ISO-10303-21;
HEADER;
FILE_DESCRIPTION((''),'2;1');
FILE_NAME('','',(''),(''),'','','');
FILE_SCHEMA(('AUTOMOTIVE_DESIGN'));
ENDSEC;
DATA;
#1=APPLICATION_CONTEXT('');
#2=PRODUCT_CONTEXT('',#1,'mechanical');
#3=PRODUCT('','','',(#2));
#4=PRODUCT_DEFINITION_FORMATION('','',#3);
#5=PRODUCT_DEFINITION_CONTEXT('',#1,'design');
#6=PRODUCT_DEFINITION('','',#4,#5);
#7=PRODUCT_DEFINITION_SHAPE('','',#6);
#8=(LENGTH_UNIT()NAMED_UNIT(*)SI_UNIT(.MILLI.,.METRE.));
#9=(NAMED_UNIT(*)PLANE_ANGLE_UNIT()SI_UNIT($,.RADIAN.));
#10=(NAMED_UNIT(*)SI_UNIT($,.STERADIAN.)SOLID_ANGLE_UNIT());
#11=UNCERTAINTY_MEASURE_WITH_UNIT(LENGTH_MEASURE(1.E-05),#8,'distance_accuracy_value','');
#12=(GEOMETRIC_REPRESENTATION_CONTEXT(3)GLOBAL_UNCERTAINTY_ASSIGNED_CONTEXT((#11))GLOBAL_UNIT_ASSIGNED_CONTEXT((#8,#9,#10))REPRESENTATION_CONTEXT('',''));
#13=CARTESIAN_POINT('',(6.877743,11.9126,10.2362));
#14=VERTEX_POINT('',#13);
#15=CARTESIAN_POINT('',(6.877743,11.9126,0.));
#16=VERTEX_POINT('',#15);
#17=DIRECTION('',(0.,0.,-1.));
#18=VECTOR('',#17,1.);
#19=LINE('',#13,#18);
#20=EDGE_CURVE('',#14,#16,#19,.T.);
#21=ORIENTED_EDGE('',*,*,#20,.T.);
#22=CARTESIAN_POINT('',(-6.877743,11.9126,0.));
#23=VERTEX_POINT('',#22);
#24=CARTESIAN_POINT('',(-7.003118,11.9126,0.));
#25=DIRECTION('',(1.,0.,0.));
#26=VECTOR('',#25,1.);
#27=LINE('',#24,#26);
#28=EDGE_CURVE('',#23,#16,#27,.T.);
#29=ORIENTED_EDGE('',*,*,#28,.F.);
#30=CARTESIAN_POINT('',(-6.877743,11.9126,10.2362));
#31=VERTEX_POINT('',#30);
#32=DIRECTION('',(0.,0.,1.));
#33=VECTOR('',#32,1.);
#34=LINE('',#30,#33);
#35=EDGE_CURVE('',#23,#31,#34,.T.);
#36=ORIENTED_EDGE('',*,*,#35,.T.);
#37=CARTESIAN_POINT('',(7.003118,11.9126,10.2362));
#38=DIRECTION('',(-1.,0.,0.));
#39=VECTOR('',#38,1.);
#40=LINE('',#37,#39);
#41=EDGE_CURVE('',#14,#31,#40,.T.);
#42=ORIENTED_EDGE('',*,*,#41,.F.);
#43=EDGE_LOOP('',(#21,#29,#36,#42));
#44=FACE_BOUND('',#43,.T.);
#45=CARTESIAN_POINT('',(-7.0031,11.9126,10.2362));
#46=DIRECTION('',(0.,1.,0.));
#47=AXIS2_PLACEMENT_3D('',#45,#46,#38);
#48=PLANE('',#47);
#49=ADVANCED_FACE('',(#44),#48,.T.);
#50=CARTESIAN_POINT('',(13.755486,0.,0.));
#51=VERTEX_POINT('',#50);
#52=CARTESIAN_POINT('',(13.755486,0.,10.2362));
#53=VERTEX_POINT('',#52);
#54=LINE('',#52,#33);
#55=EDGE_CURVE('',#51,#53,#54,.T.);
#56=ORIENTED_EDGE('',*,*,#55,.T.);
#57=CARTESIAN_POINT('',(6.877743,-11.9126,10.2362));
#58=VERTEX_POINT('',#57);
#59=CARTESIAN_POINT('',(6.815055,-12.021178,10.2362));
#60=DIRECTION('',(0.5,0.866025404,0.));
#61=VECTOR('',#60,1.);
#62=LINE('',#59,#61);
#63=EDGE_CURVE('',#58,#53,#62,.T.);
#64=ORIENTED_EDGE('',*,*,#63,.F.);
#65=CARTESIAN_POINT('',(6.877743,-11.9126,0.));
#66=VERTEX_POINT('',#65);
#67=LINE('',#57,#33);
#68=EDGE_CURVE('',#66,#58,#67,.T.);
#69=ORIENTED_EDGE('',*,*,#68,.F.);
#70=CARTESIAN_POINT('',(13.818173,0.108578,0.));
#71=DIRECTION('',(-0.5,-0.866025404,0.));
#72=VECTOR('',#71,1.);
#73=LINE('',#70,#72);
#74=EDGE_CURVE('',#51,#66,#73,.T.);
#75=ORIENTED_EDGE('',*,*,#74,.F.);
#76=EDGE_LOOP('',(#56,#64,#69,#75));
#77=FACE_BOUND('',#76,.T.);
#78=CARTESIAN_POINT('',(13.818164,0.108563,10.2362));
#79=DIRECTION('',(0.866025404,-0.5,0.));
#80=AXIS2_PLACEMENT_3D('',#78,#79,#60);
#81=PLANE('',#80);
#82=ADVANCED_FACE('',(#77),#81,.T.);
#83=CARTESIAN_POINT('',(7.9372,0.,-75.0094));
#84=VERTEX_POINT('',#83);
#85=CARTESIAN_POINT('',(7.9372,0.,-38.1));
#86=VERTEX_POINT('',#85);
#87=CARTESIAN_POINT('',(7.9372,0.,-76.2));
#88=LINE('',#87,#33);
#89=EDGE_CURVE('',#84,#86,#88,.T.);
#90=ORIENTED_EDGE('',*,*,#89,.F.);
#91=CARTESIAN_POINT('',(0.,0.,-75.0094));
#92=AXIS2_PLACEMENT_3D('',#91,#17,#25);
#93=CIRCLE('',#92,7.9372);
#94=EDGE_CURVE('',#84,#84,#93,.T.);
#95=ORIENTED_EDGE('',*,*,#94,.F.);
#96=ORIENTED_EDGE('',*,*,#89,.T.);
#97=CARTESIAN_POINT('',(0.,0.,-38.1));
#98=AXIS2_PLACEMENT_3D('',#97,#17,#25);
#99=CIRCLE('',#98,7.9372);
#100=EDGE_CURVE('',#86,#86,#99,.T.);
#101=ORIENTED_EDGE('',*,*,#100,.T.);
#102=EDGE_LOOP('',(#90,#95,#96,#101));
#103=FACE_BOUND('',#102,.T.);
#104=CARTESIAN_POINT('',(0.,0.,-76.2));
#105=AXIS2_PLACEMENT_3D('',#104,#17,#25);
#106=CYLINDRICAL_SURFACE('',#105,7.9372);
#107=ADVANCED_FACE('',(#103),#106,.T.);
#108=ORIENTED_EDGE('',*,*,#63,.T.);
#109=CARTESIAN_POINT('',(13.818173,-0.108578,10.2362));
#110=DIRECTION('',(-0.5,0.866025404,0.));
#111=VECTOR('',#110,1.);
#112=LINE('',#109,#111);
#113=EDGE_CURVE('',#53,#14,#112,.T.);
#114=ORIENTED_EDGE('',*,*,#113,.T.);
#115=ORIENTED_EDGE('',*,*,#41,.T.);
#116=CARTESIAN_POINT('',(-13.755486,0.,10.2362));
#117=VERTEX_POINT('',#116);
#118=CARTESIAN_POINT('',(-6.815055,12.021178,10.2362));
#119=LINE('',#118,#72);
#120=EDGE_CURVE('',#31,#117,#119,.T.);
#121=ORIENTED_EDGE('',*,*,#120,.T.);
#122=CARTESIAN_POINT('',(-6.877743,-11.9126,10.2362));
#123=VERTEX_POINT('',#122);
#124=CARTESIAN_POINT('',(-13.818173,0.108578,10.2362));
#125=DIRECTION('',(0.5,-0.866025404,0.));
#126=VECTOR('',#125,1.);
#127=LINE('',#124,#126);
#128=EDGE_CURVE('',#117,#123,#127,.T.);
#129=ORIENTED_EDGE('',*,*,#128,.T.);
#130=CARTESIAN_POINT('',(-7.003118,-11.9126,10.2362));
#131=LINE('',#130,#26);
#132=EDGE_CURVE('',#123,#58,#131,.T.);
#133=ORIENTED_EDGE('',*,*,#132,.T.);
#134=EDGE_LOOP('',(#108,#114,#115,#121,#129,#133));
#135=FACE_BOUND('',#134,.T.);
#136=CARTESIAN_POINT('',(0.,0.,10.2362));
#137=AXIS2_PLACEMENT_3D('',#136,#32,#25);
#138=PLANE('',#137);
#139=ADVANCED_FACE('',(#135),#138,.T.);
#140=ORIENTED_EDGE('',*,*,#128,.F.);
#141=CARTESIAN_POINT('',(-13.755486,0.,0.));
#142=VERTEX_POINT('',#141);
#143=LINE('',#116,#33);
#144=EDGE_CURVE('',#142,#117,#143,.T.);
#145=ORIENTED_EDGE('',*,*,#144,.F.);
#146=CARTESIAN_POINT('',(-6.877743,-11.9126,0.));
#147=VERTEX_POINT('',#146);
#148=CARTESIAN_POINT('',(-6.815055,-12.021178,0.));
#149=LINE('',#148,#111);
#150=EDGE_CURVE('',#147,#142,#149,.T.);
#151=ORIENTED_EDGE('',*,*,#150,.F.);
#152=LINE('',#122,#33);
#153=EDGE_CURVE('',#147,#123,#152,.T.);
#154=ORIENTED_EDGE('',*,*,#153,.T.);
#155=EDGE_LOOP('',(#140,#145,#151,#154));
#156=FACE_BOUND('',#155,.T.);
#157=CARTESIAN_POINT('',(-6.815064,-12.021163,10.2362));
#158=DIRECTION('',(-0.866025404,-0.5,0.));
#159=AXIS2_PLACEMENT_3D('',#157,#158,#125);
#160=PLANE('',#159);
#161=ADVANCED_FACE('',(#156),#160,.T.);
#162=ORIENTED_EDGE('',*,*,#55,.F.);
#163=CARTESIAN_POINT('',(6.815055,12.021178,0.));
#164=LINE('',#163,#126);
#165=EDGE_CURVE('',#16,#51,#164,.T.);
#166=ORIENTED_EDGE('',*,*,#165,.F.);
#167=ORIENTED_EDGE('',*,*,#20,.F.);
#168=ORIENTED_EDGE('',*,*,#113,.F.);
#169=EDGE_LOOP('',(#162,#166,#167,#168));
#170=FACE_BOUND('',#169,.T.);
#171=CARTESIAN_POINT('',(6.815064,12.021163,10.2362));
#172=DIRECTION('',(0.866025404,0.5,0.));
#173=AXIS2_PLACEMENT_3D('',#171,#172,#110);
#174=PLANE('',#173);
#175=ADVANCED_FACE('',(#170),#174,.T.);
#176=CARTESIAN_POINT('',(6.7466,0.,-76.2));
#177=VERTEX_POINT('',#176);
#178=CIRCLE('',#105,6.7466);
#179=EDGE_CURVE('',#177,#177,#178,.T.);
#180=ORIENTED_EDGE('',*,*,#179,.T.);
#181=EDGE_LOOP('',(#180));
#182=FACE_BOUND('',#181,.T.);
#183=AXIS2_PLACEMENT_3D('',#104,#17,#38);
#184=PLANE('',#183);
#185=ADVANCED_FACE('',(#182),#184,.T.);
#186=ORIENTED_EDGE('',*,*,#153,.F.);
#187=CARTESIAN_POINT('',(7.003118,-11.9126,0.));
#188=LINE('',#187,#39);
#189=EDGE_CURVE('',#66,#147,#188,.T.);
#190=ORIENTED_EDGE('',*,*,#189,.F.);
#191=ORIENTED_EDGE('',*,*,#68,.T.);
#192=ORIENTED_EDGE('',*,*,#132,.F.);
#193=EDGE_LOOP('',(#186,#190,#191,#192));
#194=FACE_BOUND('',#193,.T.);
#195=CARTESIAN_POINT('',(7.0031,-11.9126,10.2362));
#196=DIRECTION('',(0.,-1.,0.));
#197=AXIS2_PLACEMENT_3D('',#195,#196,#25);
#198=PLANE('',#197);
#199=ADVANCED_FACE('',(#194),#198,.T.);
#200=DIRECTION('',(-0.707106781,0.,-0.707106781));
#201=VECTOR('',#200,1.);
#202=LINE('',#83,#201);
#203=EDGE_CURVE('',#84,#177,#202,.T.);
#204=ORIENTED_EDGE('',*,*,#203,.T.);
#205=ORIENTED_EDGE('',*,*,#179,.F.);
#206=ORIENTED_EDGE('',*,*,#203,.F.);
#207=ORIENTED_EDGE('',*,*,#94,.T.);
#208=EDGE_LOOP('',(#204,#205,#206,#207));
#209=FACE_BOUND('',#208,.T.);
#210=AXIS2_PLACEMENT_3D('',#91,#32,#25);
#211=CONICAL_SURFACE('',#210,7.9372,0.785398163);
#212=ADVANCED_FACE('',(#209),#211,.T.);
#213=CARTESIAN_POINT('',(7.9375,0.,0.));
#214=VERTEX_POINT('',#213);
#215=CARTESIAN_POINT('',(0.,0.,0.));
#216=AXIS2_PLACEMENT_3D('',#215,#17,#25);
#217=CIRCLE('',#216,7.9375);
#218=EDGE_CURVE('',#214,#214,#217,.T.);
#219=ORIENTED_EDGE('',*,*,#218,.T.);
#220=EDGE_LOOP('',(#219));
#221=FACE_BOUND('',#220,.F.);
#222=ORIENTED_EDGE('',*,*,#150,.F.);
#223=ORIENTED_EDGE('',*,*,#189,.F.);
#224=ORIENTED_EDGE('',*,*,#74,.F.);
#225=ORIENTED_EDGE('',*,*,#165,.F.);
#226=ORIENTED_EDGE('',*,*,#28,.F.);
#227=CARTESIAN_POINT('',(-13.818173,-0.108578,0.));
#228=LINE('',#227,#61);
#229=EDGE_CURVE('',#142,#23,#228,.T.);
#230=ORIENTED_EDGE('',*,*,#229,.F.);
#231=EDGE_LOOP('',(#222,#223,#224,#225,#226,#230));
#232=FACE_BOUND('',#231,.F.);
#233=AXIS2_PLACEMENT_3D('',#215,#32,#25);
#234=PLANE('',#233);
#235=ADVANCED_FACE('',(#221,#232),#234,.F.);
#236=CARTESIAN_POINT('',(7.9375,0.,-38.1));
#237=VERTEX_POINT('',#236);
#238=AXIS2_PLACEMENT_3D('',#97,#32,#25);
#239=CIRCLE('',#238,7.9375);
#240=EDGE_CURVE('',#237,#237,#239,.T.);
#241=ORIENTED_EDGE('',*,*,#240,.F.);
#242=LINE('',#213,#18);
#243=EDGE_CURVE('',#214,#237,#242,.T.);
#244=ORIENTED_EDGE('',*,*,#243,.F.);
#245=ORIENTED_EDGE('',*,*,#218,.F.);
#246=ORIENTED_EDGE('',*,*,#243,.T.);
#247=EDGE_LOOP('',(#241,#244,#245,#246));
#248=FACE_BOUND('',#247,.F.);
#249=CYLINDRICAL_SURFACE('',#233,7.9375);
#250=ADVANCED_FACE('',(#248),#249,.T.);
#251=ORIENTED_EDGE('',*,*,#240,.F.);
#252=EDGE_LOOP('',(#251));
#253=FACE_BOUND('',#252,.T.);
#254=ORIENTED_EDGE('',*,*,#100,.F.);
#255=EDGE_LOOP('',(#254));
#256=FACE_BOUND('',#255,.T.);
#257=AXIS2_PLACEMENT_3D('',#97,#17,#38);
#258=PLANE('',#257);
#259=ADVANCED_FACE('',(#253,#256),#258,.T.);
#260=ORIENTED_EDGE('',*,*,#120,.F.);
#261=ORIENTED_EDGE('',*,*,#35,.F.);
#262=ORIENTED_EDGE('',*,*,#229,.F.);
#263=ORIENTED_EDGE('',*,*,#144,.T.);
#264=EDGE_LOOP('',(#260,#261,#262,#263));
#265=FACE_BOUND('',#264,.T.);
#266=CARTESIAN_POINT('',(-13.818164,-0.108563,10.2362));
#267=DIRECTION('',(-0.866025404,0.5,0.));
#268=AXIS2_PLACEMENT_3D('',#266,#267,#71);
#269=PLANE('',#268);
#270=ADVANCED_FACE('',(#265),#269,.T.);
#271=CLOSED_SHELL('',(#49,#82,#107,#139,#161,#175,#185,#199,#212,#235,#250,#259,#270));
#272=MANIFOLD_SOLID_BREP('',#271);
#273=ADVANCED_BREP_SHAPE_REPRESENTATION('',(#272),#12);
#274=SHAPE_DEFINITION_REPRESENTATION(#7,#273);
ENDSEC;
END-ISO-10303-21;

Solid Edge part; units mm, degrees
sketch "Sketch1" plane through (0, 0, 0) normal (0, 0, 1) x (1, 0, 0)
  circle A0 centre (0, 0) radius 13.8186
  dimension "D1" = 27.6372
extrude "Protrusion1" add sketch "Sketch1" along normal blind 10.2362
sketch "Sketch2" plane through (0, 0, 0) normal (0, 0, -1) x (1, 0, 0)
  circle A0 centre (0, 0) radius 7.9375
extrude "Protrusion2" add sketch "Sketch2" along normal blind 76.2
sketch "Sketch3" plane through (0, 0, -76.2) normal (0, 0, -1) x (1, 0, 0)
  circle A0 centre (0, 0) radius 7.9372
extrude "Cutout1" cut sketch "Sketch3" against normal blind 38.1 flip side to cut
chamfer "Chamfer_1" distance 1.1906 angle 45 1 edges at (-7.9372, 0, -76.2)
sketch "Sketch4" plane through (0, 0, 10.2362) normal (0, 0, 1) x (1, 0, 0)
  line L0 (-7.0031, 11.9126) -> (7.0031, 11.9126)
  dimension "D1" = 23.8252
extrude "Cutout2" cut sketch "Sketch4" against normal up to next material side at (0, 11.9626, 10.2362)
pattern_circular "Pattern1" count 6 over 360 about axis through (0, 0, 10.2362) along (0, 0, 1) of "Cutout2"
properties part number "134179"
